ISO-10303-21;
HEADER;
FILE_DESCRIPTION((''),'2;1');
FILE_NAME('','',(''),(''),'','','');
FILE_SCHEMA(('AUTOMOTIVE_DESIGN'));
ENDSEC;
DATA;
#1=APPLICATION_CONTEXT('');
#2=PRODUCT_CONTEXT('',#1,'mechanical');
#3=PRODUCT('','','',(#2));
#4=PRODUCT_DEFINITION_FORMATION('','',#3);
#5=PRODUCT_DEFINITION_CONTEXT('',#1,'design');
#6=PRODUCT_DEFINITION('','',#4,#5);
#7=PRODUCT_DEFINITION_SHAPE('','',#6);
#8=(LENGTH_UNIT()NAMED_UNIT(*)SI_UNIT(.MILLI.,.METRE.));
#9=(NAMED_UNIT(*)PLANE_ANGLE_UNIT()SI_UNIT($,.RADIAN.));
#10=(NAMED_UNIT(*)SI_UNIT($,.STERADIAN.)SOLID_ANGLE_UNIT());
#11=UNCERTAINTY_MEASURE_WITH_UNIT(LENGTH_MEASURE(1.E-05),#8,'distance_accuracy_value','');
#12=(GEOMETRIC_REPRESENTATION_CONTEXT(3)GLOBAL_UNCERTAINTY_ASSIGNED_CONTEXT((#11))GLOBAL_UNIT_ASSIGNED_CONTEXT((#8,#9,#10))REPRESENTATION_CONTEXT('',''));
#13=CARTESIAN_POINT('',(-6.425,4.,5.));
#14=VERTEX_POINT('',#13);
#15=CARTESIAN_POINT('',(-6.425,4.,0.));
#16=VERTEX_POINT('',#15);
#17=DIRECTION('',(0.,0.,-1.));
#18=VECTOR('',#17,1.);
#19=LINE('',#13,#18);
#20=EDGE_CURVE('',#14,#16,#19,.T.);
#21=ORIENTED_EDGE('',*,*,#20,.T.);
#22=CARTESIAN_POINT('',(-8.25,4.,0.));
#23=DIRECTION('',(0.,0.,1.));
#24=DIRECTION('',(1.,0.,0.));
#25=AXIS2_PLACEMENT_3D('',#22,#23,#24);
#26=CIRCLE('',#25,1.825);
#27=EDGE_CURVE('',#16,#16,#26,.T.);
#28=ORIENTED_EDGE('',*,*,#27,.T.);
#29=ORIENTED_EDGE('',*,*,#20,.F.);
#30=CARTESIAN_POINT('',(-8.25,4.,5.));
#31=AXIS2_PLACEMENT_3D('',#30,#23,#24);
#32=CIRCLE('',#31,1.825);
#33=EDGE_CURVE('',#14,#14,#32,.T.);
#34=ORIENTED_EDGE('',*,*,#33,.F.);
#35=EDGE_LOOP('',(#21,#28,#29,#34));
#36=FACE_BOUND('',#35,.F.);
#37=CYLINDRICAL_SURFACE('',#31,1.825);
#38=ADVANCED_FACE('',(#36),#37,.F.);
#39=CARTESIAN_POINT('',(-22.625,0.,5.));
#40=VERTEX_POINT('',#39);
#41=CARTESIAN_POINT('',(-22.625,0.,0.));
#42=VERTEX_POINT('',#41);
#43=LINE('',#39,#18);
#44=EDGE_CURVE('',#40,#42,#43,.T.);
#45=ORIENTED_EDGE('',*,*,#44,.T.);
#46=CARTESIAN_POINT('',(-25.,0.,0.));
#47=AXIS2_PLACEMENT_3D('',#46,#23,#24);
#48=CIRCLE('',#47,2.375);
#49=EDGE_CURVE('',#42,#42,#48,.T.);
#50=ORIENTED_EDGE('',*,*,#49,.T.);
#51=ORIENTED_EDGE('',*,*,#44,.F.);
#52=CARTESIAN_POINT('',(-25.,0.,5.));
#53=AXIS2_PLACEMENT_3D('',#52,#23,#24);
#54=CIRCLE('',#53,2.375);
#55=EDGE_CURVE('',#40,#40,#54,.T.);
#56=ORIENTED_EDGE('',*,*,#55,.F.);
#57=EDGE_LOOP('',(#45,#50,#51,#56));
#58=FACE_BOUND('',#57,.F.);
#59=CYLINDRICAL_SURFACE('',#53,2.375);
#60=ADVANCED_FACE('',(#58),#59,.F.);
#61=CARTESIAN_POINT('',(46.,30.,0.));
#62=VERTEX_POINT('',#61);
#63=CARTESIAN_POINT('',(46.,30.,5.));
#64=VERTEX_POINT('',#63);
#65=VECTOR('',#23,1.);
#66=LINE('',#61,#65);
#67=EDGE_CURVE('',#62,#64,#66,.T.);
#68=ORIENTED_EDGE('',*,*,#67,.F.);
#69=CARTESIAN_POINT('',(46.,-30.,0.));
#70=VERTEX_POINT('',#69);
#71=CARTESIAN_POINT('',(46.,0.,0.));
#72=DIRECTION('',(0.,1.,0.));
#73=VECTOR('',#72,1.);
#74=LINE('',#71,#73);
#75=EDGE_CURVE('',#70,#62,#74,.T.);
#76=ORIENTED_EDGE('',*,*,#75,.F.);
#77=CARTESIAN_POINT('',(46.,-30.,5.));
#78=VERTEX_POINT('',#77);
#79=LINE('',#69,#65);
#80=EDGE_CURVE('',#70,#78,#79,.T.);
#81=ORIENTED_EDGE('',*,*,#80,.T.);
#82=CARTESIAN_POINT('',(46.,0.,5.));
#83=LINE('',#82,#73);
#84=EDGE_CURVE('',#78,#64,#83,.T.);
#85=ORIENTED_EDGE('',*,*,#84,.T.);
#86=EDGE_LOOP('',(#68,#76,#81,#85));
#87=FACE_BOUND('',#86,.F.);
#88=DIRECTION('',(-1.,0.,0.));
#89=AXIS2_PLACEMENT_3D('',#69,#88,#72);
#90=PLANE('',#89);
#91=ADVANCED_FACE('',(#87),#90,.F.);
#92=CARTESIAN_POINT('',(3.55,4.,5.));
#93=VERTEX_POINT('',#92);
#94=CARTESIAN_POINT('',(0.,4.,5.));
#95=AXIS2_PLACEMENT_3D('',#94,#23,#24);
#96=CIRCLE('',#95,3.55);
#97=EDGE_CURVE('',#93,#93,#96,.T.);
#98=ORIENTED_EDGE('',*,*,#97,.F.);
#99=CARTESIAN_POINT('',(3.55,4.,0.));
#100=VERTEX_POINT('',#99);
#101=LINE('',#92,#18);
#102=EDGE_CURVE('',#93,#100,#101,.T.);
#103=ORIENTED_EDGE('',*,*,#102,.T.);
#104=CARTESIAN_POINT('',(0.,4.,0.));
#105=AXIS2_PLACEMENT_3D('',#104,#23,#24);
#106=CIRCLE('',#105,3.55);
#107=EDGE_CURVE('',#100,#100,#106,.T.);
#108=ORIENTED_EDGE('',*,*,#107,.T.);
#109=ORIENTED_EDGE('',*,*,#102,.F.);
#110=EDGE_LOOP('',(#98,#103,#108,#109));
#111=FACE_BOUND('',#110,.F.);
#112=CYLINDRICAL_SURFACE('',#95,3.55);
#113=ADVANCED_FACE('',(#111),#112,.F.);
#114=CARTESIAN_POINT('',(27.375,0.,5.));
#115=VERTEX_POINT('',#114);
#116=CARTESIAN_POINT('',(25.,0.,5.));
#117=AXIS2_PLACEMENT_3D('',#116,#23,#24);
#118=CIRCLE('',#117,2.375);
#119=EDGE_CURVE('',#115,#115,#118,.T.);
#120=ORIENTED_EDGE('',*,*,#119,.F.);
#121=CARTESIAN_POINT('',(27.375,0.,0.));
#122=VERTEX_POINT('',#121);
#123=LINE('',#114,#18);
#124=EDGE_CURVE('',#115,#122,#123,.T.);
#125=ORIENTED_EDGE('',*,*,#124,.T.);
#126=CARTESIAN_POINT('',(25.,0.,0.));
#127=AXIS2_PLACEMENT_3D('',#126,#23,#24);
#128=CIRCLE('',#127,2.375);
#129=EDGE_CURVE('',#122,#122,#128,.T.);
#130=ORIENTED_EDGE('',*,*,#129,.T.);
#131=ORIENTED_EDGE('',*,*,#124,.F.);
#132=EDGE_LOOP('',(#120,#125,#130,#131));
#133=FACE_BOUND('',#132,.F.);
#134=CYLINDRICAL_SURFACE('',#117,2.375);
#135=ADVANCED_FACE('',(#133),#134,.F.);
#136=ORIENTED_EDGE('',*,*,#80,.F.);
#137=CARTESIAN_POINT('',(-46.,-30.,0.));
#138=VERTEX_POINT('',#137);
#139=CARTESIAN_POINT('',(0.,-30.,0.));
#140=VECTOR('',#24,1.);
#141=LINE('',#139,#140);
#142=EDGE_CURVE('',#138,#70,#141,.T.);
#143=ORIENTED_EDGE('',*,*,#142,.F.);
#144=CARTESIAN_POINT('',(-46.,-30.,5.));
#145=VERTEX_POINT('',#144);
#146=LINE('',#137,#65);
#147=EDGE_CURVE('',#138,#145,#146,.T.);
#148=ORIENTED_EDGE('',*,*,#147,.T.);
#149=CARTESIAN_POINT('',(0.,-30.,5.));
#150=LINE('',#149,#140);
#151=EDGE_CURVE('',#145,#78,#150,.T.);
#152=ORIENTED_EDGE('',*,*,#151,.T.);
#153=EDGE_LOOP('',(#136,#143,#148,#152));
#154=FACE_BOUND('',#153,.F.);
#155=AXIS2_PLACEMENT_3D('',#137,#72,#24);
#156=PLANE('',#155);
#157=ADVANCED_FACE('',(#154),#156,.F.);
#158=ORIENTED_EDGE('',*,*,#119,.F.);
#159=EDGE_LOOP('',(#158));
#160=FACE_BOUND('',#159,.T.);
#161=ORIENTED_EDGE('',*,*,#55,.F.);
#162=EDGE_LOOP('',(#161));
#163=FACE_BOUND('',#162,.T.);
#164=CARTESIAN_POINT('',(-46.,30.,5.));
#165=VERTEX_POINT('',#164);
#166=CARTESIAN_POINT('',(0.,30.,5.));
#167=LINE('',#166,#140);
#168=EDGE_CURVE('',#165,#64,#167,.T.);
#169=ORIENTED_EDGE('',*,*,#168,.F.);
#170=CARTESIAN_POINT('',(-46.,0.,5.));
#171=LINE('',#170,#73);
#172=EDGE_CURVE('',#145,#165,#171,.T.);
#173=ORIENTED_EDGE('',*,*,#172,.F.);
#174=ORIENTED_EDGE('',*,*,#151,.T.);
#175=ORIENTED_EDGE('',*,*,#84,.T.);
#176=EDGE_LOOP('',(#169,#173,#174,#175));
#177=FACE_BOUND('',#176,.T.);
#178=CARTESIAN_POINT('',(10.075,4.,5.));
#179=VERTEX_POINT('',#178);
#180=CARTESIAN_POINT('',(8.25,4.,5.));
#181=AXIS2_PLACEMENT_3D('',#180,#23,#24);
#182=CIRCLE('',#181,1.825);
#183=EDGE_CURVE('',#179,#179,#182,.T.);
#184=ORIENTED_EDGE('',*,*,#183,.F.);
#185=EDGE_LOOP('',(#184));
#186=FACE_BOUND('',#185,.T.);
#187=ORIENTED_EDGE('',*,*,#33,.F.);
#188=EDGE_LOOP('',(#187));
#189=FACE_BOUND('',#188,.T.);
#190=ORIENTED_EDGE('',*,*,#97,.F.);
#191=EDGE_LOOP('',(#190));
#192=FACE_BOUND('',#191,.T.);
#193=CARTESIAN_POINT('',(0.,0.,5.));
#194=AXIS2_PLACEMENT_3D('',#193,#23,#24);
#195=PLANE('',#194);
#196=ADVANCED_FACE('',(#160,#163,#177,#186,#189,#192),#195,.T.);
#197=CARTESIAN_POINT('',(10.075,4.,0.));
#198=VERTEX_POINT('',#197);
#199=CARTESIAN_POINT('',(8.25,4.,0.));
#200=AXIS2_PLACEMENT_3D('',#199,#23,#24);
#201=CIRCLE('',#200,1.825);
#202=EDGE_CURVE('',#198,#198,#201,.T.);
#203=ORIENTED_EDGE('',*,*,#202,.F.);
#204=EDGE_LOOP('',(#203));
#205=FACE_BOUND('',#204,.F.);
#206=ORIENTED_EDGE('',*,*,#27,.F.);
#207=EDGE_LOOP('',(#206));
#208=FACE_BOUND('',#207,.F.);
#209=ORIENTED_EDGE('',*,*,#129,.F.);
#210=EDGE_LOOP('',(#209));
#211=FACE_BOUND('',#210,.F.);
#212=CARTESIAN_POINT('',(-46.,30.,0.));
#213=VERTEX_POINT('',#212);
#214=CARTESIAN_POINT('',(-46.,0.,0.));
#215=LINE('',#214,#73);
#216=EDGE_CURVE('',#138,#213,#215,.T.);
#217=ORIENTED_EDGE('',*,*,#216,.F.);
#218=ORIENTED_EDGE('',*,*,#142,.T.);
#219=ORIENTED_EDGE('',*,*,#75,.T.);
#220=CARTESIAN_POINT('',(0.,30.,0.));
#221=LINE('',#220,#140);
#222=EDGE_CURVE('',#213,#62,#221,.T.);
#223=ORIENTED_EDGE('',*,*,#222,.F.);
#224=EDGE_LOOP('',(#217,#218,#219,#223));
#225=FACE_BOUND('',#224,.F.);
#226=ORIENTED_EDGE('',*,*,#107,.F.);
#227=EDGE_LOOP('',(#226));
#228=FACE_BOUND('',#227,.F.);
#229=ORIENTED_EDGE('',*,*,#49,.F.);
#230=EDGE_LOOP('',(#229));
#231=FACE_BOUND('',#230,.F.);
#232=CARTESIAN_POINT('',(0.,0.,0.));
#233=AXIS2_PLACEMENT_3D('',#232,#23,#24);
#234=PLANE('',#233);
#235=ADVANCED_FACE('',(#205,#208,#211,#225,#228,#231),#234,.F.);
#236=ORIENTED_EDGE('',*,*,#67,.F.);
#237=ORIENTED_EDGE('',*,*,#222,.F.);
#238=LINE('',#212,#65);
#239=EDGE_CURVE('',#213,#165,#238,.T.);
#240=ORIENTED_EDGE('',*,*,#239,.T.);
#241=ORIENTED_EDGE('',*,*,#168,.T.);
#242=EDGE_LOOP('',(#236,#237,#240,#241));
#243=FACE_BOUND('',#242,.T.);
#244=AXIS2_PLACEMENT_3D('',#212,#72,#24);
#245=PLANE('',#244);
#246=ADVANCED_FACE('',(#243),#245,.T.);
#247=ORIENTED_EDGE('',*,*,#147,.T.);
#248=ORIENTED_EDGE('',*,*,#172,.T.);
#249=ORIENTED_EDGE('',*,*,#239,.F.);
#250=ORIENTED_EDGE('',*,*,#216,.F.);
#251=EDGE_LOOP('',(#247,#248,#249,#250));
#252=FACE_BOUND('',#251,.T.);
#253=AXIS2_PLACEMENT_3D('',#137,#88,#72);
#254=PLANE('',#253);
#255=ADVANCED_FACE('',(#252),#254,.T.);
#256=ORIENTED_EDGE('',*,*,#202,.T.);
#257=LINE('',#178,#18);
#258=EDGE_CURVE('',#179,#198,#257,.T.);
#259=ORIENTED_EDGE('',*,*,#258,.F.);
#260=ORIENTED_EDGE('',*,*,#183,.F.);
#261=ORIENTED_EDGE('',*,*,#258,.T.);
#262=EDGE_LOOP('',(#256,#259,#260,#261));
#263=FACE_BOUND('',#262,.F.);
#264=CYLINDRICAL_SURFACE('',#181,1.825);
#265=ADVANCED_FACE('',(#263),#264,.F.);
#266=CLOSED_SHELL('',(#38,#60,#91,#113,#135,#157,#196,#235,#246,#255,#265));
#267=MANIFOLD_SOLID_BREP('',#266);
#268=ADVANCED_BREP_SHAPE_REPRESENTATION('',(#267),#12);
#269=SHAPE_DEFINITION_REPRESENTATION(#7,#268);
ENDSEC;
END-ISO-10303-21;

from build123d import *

# Parameters (mm, degrees)
F0_W     = 92
F0_H     = 60
F1_DEPTH = 5
F2_R     = 3.55
F2_R_2   = 1.825
F2_R_3   = 2.375
F3_DEPTH = 25


with BuildPart() as f1:
    # F0 (on Top) → F1 (new body)
    with BuildSketch(Plane.XY):
        Rectangle(F0_W, F0_H)
    extrude(amount=F1_DEPTH)

    # F2 (on face) → F3 (cut)
    with BuildSketch(Plane.XY.offset(5)):
        with Locations((0, 4)):
            Circle(F2_R)
        with Locations((-8.25, 4)):
            Circle(F2_R_2)
        with Locations((8.25, 4)):
            Circle(F2_R_2)
        with Locations((-25, 0)):
            Circle(F2_R_3)
        with Locations((25, 0)):
            Circle(F2_R_3)
    extrude(amount=-F3_DEPTH, mode=Mode.SUBTRACT)


solid = f1.part
